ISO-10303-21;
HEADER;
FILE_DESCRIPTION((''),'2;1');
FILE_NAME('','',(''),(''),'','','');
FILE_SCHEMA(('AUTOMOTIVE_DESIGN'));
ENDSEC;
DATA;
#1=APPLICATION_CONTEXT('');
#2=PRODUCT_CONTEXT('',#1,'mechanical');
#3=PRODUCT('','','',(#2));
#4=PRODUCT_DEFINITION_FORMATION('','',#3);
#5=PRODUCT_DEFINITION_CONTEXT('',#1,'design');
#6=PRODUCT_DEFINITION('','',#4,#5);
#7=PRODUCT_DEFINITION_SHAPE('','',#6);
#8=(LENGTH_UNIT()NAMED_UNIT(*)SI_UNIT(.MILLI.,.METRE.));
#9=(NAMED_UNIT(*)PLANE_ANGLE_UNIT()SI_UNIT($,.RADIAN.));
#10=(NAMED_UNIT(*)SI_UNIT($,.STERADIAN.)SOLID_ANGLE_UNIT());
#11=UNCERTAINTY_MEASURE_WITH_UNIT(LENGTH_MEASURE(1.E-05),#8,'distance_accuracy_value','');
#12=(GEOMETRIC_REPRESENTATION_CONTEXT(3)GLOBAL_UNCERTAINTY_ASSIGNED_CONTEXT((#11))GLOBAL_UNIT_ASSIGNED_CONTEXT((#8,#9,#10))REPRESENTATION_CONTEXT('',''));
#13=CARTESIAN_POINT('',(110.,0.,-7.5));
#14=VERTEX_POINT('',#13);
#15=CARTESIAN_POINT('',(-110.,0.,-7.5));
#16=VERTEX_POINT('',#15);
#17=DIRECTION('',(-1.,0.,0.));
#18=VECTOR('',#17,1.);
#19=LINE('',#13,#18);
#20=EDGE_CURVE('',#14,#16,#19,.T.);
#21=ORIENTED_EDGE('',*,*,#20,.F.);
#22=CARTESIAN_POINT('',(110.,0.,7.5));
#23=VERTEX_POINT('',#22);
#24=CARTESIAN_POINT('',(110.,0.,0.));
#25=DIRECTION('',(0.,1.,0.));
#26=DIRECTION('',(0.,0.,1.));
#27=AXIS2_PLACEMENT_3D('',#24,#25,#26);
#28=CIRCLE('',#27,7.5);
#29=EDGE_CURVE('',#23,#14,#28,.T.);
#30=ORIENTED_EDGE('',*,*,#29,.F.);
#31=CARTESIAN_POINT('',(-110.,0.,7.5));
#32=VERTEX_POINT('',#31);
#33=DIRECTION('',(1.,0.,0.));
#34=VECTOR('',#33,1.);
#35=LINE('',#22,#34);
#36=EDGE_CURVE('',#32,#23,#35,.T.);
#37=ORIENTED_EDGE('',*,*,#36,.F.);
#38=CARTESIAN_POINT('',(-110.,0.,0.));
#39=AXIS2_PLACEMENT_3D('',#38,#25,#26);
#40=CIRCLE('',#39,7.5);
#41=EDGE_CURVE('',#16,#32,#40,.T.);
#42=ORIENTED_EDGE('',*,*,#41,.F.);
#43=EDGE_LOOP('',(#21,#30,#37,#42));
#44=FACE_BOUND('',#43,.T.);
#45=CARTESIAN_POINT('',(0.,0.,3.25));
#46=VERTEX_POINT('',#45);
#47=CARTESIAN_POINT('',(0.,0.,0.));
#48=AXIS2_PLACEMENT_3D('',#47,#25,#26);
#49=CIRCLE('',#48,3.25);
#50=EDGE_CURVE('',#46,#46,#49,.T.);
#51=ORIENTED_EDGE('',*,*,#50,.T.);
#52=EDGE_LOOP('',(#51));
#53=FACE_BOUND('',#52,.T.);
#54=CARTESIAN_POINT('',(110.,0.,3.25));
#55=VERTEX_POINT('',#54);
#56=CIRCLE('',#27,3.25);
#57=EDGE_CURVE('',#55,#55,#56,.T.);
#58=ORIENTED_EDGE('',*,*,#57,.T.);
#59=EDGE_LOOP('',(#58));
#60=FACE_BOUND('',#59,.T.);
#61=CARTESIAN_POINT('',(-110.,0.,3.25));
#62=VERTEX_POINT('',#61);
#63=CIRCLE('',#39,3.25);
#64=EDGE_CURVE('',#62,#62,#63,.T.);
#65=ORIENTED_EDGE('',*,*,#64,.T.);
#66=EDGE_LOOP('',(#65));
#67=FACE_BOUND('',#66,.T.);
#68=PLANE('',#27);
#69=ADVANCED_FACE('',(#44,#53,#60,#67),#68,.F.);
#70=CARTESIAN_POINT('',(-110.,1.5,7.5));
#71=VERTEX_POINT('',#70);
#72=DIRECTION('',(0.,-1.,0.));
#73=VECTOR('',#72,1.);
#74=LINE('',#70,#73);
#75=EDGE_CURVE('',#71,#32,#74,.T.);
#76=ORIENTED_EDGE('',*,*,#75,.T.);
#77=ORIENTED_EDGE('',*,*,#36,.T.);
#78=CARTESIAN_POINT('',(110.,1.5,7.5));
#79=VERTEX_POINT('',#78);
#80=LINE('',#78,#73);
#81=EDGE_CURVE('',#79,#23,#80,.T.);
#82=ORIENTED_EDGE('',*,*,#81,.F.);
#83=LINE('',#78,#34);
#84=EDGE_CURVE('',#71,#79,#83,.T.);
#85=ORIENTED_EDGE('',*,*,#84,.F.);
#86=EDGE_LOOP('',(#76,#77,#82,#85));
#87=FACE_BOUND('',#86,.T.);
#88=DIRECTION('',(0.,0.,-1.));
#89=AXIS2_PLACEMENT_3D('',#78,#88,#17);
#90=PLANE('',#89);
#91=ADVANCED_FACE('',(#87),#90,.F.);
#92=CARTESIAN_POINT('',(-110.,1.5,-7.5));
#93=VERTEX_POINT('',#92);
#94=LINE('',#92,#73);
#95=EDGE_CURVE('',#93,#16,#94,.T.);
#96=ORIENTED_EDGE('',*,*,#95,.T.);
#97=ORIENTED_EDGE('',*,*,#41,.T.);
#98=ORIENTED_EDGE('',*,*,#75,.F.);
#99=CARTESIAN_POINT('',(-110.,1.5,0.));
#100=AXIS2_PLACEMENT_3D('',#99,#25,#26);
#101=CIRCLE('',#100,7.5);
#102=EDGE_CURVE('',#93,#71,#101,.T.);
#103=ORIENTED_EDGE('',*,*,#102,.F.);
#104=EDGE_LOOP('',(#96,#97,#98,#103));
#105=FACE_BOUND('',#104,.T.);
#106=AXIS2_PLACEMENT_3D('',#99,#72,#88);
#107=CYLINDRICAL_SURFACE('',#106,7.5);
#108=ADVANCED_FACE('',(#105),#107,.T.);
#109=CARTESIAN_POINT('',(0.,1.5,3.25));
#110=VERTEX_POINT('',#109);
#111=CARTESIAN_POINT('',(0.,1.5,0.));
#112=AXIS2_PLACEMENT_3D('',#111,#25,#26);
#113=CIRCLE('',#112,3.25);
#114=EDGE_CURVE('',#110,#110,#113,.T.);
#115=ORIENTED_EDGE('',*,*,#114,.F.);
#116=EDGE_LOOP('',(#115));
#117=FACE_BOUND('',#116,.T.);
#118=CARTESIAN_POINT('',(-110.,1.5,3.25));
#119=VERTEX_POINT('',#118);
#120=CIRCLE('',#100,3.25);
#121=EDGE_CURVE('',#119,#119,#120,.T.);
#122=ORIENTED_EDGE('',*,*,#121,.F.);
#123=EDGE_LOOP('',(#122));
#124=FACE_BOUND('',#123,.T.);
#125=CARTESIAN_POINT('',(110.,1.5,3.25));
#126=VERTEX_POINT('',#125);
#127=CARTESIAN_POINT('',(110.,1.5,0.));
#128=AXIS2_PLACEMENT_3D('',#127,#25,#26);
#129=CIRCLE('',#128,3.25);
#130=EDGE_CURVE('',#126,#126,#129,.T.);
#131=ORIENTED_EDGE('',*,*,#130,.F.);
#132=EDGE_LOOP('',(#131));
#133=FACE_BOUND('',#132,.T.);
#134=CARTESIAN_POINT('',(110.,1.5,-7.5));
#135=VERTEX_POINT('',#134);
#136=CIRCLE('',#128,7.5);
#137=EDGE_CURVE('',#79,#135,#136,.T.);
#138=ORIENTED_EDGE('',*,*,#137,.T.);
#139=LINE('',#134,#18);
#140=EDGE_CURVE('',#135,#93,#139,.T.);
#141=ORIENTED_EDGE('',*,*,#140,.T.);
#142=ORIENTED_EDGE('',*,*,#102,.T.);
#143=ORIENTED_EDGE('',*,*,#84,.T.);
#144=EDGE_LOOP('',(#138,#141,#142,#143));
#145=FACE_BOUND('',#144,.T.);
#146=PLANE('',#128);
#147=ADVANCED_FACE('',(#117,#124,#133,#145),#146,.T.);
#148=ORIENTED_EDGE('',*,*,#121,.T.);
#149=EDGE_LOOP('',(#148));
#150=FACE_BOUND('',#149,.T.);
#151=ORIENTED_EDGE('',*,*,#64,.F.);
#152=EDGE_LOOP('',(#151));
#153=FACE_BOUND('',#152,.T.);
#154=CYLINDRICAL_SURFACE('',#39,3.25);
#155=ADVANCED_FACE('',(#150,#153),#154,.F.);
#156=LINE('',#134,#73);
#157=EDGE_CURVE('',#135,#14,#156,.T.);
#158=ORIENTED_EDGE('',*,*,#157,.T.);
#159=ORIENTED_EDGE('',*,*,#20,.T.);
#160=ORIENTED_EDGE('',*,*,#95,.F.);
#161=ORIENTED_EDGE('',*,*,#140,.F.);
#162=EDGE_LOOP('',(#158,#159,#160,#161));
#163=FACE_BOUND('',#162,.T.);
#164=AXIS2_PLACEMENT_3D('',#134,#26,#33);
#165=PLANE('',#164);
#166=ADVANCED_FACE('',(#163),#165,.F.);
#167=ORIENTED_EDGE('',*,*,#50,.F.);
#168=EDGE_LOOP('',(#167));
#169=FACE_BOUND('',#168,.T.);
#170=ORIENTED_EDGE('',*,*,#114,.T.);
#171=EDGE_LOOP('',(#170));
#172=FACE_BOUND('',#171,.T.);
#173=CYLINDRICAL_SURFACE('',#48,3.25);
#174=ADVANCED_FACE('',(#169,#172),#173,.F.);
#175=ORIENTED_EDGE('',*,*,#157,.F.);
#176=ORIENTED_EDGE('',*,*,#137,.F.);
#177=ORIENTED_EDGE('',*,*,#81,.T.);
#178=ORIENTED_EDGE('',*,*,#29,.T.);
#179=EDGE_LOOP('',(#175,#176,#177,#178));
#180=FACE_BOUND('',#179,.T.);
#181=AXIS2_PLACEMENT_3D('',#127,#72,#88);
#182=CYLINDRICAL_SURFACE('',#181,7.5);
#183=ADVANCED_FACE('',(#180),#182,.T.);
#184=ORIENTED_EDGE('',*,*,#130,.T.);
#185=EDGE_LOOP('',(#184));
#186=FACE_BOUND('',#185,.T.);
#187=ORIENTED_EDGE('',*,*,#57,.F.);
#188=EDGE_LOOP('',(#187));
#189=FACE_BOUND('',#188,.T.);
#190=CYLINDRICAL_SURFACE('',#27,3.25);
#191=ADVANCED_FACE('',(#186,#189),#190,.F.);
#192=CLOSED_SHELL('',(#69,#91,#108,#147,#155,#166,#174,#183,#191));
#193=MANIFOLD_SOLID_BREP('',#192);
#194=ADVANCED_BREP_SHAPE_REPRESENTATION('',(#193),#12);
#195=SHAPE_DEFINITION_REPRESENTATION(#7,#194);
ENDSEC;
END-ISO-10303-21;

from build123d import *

# Parameters (mm, degrees)
EXTRUDE_1_DEPTH     = 1.5
SKETCH_2_R          = 3.25
CUT_EXTRUDE_1_DEPTH = 1.5


with BuildPart() as part:
    # 草图1 → 凸台-拉伸1 (new body)
    with BuildSketch(Plane(origin=(0, 0, 0), x_dir=(1, 0, 0), z_dir=(0, 1, 0))):
        with BuildLine():
            Line((110, -7.5), (-110, -7.5))
            ThreePointArc((-110, -7.5), (-117.5, 0), (-110, 7.5))
            Line((-110, 7.5), (110, 7.5))
            ThreePointArc((110, 7.5), (117.5, 0), (110, -7.5))
        make_face()
    extrude(amount=EXTRUDE_1_DEPTH)

    # 草图2 → 切除-拉伸1 (cut)
    with BuildSketch(Plane(origin=(0, 1.5, 0), x_dir=(1, 0, 0), z_dir=(0, 1, 0))):
        with Locations(Location((110, 0, 0), (0, 0, 270))):
            Circle(SKETCH_2_R)
        with Locations(Location((0, 0, 0), (0, 0, 270))):
            Circle(SKETCH_2_R)
        with Locations(Location((-110, 0, 0), (0, 0, 270))):
            Circle(SKETCH_2_R)
    extrude(amount=-CUT_EXTRUDE_1_DEPTH, mode=Mode.SUBTRACT)


solid = part.part
